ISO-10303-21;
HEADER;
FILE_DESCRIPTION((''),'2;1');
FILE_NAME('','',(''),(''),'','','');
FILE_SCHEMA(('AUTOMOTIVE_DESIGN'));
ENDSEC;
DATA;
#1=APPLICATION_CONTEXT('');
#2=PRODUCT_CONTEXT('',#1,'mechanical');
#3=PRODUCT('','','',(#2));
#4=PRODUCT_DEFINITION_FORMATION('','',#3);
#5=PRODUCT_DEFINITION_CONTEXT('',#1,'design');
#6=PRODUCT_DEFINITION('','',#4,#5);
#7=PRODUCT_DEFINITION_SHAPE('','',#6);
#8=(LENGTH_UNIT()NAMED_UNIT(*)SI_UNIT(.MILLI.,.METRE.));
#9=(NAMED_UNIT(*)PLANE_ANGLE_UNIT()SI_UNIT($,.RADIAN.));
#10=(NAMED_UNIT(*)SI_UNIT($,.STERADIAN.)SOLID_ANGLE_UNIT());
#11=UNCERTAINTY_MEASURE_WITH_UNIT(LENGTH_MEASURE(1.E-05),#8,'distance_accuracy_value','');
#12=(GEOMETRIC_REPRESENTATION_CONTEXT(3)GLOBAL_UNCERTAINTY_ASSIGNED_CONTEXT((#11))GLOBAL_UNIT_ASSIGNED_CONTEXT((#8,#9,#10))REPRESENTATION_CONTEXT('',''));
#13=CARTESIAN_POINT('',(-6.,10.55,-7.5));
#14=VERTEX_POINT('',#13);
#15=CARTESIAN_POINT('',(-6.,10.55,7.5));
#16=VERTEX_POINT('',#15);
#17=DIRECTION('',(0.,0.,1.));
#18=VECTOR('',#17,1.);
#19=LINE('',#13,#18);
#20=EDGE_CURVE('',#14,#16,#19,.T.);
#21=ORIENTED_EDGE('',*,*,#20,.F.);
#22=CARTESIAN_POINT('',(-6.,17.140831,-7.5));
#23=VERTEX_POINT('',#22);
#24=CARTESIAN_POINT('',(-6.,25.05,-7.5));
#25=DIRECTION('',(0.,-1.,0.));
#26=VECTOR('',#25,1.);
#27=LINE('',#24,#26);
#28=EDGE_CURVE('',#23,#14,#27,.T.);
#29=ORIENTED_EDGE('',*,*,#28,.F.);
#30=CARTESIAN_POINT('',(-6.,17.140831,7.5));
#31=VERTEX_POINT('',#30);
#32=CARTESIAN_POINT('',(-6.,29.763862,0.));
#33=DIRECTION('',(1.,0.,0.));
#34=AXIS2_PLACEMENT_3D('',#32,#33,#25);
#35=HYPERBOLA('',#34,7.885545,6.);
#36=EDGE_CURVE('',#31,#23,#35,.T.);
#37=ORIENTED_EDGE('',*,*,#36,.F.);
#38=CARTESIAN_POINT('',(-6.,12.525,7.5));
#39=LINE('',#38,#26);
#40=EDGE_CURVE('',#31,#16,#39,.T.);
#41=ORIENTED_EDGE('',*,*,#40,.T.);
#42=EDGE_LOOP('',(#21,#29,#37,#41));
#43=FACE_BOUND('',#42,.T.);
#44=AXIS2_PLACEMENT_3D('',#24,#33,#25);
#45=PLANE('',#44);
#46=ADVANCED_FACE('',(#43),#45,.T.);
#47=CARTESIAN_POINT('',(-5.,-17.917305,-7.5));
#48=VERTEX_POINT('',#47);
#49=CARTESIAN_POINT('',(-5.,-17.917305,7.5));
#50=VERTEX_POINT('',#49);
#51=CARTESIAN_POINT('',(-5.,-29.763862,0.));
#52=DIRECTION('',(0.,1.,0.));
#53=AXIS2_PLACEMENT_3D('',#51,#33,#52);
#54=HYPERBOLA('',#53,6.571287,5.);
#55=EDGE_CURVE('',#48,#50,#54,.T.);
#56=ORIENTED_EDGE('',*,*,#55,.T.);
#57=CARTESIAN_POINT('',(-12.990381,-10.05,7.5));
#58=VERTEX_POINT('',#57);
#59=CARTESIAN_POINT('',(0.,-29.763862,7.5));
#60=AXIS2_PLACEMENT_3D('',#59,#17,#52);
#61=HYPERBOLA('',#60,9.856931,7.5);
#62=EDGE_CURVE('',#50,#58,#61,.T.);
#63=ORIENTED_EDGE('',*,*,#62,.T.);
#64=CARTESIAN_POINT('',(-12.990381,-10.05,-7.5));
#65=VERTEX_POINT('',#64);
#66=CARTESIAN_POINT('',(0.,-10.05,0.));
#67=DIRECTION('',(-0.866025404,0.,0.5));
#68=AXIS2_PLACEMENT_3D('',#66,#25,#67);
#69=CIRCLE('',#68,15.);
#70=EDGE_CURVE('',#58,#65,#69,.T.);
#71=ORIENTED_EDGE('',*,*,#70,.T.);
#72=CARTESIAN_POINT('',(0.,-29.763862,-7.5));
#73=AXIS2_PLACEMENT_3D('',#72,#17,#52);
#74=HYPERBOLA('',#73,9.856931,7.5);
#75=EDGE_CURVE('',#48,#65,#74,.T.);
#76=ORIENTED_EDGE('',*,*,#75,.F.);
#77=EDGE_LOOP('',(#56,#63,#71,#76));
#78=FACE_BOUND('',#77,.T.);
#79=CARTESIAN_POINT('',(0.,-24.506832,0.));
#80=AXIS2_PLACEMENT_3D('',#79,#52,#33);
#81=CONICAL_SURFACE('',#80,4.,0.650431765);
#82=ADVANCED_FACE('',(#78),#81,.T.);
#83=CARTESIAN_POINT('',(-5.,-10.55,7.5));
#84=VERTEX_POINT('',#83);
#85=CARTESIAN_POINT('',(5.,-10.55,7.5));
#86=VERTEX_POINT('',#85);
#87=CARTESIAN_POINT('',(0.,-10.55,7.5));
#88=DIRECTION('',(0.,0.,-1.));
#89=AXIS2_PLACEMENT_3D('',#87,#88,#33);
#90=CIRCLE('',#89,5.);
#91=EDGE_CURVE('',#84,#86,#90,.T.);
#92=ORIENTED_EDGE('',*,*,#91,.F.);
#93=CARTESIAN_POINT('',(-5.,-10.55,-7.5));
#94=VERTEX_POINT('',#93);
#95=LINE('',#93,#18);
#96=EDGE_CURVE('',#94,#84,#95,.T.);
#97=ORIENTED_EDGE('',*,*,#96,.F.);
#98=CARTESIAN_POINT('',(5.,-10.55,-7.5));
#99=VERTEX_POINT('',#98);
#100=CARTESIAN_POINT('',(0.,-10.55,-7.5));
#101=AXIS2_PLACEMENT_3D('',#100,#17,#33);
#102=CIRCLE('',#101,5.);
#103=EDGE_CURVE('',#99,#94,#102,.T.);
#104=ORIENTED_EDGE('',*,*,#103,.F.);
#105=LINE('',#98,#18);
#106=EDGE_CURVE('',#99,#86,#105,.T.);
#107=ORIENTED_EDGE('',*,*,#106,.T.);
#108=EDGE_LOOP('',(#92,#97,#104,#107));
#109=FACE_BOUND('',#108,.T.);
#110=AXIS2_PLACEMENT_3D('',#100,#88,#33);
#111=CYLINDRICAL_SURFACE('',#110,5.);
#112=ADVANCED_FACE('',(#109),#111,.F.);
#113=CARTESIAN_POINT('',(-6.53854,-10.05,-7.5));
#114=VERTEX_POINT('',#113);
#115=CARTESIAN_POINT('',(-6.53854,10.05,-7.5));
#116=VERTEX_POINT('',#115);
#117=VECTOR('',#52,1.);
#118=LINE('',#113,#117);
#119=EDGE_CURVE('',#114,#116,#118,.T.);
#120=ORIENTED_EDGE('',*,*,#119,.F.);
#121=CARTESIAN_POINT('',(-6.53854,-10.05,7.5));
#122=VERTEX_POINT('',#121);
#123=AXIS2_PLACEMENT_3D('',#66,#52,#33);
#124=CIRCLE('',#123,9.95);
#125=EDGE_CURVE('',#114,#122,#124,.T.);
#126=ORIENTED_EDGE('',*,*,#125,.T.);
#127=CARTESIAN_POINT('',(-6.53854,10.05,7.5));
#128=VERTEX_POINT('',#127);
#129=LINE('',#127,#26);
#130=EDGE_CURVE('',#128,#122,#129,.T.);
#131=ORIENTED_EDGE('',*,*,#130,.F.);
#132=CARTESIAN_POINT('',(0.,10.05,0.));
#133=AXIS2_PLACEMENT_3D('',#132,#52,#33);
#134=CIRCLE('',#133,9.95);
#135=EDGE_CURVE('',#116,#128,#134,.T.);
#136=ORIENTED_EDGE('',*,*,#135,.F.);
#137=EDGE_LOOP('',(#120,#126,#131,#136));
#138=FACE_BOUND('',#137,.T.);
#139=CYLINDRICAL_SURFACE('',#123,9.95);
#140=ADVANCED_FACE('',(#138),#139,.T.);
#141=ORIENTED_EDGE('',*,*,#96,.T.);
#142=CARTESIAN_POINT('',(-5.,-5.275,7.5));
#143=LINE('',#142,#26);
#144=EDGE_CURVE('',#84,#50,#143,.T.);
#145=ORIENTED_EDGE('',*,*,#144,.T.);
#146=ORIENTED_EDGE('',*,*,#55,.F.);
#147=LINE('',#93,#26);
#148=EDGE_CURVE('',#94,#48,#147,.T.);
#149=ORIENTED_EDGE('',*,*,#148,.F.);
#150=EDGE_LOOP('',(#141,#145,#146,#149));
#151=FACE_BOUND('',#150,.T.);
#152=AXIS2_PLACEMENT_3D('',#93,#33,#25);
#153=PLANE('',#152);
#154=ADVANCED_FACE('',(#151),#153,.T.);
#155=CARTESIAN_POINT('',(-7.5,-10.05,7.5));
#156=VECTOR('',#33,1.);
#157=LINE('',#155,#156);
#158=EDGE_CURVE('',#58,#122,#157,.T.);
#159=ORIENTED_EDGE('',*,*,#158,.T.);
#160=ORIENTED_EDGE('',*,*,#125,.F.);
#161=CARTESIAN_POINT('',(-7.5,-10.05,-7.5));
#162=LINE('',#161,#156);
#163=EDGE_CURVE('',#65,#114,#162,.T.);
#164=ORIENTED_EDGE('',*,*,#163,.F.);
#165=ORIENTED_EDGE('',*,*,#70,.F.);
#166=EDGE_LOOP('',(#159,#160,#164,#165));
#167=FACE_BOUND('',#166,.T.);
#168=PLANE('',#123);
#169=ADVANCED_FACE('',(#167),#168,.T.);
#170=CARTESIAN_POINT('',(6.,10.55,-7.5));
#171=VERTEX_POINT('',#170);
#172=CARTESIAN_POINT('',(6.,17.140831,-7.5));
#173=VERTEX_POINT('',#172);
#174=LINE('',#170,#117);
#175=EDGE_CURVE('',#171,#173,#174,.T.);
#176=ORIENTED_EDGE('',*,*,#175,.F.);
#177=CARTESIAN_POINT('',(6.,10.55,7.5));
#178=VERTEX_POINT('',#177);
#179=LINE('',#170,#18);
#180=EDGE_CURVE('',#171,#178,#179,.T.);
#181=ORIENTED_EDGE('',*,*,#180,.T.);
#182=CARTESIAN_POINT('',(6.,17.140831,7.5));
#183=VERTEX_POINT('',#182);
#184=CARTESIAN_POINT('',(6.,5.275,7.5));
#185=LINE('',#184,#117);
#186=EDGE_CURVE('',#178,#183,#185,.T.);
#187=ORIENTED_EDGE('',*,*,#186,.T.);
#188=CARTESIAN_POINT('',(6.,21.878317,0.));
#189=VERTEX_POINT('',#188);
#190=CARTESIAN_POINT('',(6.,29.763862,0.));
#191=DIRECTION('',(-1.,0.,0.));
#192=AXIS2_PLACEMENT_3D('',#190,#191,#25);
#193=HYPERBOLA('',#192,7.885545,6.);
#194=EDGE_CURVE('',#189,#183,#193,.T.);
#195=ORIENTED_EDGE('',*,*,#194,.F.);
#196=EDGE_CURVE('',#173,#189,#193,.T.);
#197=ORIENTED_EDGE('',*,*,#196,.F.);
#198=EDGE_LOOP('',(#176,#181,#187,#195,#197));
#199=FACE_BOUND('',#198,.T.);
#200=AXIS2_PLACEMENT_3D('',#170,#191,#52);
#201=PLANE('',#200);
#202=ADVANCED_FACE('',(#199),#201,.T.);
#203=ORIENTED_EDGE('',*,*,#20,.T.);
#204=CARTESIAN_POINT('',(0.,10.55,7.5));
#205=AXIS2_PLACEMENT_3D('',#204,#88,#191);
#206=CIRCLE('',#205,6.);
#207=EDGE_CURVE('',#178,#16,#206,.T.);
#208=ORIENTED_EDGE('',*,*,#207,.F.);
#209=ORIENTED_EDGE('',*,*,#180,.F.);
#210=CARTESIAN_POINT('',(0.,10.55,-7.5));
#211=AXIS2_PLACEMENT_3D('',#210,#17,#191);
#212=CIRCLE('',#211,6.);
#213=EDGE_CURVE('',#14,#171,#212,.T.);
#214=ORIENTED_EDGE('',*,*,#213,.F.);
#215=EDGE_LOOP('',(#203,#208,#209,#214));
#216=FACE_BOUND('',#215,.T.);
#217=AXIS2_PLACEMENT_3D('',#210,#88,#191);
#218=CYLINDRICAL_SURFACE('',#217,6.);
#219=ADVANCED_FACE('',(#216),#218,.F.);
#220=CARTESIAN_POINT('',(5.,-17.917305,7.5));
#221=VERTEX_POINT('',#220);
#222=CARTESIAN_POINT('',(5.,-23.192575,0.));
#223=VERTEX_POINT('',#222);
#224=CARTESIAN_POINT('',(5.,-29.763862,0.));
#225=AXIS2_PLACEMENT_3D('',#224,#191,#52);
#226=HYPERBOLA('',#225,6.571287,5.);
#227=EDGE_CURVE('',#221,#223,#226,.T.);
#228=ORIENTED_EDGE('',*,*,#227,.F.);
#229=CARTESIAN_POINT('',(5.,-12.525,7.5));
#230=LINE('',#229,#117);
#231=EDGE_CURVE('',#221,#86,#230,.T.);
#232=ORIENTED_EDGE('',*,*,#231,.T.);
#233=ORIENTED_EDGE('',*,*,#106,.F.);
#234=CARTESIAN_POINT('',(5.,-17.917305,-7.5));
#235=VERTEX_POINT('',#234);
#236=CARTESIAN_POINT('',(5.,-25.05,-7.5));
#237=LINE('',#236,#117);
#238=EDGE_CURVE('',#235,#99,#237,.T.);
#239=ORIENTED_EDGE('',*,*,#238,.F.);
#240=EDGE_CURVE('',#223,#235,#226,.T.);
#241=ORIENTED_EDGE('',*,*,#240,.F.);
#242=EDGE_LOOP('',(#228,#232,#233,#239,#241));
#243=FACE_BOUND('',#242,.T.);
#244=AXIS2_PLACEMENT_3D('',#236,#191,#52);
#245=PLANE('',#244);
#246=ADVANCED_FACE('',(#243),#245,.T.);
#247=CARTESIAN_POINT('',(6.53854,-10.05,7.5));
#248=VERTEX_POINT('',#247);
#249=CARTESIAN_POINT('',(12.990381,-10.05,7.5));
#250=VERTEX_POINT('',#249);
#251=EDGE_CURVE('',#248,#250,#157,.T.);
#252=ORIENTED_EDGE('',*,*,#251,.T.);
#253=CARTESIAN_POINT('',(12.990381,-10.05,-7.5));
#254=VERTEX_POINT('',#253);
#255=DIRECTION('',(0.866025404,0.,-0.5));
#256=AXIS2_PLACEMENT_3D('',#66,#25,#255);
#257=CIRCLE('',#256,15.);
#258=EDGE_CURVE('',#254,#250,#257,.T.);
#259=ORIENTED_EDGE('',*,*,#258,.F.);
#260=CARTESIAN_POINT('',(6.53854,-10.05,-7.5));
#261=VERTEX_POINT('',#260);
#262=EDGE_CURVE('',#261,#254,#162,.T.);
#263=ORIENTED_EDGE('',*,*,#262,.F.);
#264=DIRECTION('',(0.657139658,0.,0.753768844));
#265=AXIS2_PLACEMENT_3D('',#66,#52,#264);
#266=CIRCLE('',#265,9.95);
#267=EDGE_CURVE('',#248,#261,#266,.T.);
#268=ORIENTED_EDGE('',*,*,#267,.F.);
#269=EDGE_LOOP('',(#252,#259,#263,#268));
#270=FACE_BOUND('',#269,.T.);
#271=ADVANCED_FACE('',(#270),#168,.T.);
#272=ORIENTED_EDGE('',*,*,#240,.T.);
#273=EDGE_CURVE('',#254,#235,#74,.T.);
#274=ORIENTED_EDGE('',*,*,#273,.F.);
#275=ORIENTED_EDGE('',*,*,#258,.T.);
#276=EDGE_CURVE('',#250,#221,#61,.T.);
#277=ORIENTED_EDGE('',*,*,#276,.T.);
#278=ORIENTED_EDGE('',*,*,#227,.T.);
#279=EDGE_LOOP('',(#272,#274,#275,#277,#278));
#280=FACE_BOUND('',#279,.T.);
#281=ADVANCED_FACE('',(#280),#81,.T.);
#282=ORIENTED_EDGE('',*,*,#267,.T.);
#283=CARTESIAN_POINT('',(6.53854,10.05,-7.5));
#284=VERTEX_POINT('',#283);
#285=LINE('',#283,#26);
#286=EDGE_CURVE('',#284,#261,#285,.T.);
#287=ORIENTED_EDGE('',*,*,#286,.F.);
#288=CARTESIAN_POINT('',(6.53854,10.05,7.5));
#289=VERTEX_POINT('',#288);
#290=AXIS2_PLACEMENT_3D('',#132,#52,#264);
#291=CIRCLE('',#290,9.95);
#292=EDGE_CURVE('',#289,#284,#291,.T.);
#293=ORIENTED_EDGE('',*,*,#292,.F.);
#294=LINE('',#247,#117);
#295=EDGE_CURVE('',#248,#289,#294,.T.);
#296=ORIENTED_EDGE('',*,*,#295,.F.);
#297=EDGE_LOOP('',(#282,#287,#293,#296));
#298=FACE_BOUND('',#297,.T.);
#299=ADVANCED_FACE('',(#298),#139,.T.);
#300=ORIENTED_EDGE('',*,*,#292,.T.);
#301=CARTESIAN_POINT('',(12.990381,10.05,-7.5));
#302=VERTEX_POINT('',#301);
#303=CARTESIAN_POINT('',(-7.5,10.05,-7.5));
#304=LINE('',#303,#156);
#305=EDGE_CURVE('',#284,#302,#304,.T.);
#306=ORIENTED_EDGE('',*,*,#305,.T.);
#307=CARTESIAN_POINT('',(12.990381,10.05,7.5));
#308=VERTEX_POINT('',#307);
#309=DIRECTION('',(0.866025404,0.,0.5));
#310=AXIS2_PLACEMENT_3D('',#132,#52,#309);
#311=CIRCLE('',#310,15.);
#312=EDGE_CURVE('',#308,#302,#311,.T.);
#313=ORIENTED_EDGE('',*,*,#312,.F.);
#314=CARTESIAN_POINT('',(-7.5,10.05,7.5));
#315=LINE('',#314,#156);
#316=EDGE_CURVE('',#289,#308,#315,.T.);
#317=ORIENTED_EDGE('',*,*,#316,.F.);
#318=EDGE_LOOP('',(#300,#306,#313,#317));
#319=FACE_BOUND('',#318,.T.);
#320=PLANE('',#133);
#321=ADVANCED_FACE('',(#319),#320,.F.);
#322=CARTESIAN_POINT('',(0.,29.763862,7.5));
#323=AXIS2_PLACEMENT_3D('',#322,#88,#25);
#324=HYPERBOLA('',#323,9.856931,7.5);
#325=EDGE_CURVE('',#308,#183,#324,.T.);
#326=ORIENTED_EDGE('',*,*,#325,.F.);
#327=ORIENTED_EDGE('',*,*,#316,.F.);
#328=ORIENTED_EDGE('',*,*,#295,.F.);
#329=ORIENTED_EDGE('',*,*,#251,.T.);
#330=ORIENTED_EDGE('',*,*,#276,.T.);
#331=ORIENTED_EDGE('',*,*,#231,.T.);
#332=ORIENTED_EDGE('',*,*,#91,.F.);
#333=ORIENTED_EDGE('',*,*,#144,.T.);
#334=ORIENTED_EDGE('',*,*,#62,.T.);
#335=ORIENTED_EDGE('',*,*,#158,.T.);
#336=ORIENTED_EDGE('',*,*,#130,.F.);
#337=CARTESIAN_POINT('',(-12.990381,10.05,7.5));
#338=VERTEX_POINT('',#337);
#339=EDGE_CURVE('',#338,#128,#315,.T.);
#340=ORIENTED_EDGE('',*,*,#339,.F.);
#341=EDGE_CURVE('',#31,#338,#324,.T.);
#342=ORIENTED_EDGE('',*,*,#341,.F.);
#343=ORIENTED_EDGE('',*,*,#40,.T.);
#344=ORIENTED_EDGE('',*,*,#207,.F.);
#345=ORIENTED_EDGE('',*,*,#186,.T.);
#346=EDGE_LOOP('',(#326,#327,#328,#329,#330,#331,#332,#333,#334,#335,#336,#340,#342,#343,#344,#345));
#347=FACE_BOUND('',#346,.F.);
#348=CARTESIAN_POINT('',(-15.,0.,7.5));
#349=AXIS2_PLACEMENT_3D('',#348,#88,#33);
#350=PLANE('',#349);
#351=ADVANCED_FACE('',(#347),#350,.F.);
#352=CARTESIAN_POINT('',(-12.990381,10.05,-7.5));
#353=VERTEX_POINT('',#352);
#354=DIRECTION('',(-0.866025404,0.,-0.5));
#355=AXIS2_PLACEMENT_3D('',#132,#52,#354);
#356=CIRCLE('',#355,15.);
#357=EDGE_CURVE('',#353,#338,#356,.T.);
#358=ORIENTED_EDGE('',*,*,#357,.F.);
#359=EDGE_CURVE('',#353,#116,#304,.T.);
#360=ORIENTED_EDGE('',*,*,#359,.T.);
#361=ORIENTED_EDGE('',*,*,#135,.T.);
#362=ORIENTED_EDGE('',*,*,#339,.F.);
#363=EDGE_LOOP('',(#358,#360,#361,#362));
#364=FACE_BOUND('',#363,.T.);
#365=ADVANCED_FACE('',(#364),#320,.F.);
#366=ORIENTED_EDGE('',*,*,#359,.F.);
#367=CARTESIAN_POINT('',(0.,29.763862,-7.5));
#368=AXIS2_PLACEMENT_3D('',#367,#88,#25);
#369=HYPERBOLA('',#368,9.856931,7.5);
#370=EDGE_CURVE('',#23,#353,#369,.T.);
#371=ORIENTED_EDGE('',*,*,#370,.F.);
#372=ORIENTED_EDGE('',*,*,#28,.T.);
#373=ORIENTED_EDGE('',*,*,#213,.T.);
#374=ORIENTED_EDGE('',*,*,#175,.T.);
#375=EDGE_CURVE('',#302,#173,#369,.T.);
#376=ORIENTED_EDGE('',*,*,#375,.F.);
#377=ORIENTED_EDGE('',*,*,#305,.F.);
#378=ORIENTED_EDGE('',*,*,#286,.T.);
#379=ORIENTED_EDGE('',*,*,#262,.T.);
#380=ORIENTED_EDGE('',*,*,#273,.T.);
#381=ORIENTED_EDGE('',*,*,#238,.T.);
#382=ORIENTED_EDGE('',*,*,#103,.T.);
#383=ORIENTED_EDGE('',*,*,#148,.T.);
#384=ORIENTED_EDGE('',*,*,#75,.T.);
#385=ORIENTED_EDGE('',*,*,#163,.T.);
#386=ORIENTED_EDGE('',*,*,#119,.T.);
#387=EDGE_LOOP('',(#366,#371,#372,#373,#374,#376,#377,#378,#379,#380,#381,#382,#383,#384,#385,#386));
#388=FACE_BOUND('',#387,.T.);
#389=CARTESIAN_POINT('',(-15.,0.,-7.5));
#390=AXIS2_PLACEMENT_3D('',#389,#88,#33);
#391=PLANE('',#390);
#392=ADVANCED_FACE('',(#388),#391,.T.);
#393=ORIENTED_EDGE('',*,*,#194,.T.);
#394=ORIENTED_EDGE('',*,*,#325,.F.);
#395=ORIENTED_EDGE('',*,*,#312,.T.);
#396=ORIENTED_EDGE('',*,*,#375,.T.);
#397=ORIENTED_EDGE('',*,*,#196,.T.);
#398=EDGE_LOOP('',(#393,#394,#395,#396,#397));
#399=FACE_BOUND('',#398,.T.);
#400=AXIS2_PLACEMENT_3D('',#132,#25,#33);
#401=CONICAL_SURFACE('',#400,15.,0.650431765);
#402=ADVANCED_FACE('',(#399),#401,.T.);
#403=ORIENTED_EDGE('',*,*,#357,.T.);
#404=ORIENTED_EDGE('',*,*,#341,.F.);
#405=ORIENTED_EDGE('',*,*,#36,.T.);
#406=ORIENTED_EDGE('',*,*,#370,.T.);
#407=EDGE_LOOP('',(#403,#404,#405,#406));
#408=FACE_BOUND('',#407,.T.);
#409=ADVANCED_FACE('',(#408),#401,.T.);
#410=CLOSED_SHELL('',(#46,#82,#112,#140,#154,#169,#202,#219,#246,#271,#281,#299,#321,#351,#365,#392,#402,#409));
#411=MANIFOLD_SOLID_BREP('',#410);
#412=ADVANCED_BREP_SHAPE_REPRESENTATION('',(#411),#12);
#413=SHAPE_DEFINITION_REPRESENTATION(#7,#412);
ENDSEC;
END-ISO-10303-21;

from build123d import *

# Parameters (mm, degrees)
ESBO_O2_OUTSIDE_W          = 45.13
ESBO_O2_OUTSIDE_H          = 45.13
ESBO_O2_OUTSIDE_W_2        = 30
ESBO_O2_OUTSIDE_H_2        = 15
CORTE_EXTRUS_O1_DEPTH      = 26.05
CORTE_EXTRUS_O1_DEPTH_BACK = 26.05
CORTE_EXTRUS_O2_DEPTH      = 16


with BuildPart() as part:
    # Esboço1 one side → Revolução1 (revolve)
    with BuildSketch(Plane.XY):
        with BuildLine():
            ThreePointArc((4, 24.506832295), (2.018355219, 24.913587797), (0, 25.05))
            Line((0, 25.05), (0, -25.05))
            ThreePointArc((0, -25.05), (2.018355219, -24.913587797), (4, -24.506832295))
            Line((4, -24.506832295), (15, -10.05))
            Line((15, -10.05), (9.95, -10.05))
            Line((9.95, -10.05), (9.95, 10.05))
            Line((9.95, 10.05), (15, 10.05))
            Line((15, 10.05), (4, 24.506832295))
        make_face()
    revolve(axis=Axis((0, -25.05, 0), (0, 1, 0)))

    # Esboço2 outside → Corte-extrusão1 (cut, two sides)
    with BuildSketch(Plane(origin=(0, 0, 0), x_dir=(1, 0, 0), z_dir=(0, 1, 0))) as corte_extrus_o1_sk:
        Rectangle(ESBO_O2_OUTSIDE_W, ESBO_O2_OUTSIDE_H)
        Rectangle(ESBO_O2_OUTSIDE_W_2, ESBO_O2_OUTSIDE_H_2, mode=Mode.SUBTRACT)
    extrude(amount=CORTE_EXTRUS_O1_DEPTH, mode=Mode.SUBTRACT)
    extrude(corte_extrus_o1_sk.sketch, amount=-CORTE_EXTRUS_O1_DEPTH_BACK, mode=Mode.SUBTRACT)

    # Esboço3 → Corte-extrusão2 (cut, through all)
    with BuildSketch(Plane(origin=(0, 0, -7.5), x_dir=(-1, 0, 0), z_dir=(0, 0, -1))):
        with BuildLine():
            Line((6, 25.05), (6, 10.55))
            ThreePointArc((6, 10.55), (0, 4.55), (-6, 10.55))
            Line((-6, 10.55), (-6, 25.05))
            ThreePointArc((-6, 25.05), (0, 31.05), (6, 25.05))
        make_face()
        with BuildLine():
            Line((-5, -25.05), (-5, -10.55))
            ThreePointArc((-5, -10.55), (0, -5.55), (5, -10.55))
            Line((5, -10.55), (5, -25.05))
            ThreePointArc((5, -25.05), (0, -30.05), (-5, -25.05))
        make_face()
    extrude(amount=-CORTE_EXTRUS_O2_DEPTH, mode=Mode.SUBTRACT)


solid = part.part
